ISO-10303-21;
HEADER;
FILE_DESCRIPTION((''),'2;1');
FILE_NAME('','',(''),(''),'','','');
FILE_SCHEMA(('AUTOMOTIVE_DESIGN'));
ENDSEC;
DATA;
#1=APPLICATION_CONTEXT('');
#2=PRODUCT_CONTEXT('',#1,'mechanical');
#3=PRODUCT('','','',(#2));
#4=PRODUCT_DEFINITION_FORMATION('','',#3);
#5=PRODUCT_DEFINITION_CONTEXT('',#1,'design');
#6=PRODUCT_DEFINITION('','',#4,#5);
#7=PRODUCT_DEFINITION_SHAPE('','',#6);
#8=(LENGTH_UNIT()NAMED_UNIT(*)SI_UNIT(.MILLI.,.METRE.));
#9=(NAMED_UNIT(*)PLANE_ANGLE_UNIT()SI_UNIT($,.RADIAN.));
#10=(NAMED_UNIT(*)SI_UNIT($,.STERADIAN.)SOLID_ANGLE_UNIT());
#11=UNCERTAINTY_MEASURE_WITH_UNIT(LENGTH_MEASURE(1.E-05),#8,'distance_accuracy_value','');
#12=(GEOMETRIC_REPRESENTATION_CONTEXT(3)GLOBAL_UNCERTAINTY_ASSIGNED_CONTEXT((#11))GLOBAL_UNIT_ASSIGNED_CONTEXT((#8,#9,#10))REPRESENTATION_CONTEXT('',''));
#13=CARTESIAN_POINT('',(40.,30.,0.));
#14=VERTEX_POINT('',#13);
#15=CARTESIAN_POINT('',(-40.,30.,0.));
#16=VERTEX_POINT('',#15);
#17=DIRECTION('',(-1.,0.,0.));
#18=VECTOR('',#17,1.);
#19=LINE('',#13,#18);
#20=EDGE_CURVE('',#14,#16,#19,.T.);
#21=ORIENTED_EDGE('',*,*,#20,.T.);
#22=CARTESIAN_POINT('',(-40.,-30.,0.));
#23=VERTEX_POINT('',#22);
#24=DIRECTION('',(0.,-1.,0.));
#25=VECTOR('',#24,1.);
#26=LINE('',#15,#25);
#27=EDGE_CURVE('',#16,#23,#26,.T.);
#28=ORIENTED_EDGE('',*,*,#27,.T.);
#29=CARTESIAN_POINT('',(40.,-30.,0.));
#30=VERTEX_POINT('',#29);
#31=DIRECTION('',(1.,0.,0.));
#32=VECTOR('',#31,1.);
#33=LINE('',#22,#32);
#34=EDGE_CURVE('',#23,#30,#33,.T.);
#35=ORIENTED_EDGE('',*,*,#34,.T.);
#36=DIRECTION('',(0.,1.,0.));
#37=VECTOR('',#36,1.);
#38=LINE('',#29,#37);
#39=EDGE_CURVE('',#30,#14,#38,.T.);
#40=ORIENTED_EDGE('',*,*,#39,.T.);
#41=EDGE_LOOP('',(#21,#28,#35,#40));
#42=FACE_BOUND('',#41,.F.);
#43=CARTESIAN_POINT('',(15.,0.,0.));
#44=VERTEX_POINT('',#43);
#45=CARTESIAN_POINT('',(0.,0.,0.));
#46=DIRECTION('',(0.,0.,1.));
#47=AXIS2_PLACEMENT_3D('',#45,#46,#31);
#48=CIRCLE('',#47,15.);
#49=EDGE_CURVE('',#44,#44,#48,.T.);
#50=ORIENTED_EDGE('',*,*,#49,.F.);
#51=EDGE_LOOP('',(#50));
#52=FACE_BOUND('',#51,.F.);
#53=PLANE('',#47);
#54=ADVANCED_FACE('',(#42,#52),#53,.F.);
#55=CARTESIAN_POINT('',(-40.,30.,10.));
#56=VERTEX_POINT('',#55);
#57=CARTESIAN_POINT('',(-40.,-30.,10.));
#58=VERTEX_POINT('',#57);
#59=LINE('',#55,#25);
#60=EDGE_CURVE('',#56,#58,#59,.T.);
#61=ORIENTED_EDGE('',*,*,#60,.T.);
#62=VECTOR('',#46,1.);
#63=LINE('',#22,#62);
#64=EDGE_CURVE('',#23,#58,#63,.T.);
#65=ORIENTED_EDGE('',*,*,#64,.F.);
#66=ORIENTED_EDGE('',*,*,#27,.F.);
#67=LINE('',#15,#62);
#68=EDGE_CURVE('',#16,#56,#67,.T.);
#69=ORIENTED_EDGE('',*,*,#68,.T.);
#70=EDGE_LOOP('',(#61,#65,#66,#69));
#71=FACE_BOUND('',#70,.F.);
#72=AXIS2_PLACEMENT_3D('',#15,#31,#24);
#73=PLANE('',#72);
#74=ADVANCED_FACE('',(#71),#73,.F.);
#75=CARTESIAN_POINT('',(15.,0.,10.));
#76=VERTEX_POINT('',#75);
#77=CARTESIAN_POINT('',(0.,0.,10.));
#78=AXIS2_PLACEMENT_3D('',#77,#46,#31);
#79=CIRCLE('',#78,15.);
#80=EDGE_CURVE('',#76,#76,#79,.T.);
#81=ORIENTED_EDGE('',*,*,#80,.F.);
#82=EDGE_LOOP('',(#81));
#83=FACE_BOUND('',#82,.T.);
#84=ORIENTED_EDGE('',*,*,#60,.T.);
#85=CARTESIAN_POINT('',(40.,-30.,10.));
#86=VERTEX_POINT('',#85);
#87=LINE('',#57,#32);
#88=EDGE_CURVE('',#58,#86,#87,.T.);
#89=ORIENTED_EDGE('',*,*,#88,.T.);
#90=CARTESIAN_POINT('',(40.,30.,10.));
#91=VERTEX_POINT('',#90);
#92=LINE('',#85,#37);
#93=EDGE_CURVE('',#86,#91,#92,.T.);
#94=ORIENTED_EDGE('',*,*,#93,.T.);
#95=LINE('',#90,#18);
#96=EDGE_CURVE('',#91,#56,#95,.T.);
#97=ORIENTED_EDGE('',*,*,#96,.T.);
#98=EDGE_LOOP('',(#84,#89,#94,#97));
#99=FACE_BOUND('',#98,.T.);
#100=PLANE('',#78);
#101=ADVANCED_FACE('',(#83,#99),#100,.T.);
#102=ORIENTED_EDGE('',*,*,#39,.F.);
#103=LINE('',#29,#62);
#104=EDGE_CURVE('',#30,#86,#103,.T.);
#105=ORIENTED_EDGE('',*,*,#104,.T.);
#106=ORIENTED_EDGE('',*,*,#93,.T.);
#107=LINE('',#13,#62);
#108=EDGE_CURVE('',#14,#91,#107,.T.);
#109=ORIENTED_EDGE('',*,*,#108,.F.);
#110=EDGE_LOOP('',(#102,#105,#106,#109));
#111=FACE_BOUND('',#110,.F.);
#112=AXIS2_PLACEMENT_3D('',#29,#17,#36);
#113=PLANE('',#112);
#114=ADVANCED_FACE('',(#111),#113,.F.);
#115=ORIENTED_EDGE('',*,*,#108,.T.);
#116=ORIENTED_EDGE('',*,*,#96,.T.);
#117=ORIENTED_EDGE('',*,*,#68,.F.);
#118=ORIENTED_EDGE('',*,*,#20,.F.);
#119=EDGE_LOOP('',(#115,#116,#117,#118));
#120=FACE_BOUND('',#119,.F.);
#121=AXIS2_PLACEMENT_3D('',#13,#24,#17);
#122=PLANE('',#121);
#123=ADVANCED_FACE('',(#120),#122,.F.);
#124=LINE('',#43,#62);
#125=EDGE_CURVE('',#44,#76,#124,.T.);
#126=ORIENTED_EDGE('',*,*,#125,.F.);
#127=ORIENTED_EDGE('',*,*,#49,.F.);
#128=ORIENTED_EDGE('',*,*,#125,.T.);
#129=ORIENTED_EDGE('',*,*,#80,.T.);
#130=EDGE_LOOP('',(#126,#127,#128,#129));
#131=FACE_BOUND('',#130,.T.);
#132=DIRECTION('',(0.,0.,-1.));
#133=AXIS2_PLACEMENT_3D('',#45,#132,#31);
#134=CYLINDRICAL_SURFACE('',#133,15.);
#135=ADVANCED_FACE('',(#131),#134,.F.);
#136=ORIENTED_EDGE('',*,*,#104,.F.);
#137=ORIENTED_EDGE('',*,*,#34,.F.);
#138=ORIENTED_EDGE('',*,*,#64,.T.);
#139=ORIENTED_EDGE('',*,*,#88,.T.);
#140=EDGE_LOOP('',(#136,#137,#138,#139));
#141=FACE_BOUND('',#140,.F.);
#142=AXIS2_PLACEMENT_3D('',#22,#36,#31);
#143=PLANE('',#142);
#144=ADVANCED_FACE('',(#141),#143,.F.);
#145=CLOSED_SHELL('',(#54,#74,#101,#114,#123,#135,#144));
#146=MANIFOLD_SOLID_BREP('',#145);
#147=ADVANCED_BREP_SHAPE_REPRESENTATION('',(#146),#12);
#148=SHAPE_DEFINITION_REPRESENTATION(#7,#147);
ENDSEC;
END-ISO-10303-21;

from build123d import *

# Parameters (mm, degrees)
F0_R     = 15
F1_DEPTH = 10


with BuildPart() as f1:
    # F0 (on Top) → F1 (new body)
    with BuildSketch(Plane.XY):
        Polygon((40, -30), (40, 0), (40, 30), (0, 30), (-40, 30), (-40, 0), (-40, -30), align=None)
        Circle(F0_R, mode=Mode.SUBTRACT)
    extrude(amount=F1_DEPTH)


solid = f1.part
